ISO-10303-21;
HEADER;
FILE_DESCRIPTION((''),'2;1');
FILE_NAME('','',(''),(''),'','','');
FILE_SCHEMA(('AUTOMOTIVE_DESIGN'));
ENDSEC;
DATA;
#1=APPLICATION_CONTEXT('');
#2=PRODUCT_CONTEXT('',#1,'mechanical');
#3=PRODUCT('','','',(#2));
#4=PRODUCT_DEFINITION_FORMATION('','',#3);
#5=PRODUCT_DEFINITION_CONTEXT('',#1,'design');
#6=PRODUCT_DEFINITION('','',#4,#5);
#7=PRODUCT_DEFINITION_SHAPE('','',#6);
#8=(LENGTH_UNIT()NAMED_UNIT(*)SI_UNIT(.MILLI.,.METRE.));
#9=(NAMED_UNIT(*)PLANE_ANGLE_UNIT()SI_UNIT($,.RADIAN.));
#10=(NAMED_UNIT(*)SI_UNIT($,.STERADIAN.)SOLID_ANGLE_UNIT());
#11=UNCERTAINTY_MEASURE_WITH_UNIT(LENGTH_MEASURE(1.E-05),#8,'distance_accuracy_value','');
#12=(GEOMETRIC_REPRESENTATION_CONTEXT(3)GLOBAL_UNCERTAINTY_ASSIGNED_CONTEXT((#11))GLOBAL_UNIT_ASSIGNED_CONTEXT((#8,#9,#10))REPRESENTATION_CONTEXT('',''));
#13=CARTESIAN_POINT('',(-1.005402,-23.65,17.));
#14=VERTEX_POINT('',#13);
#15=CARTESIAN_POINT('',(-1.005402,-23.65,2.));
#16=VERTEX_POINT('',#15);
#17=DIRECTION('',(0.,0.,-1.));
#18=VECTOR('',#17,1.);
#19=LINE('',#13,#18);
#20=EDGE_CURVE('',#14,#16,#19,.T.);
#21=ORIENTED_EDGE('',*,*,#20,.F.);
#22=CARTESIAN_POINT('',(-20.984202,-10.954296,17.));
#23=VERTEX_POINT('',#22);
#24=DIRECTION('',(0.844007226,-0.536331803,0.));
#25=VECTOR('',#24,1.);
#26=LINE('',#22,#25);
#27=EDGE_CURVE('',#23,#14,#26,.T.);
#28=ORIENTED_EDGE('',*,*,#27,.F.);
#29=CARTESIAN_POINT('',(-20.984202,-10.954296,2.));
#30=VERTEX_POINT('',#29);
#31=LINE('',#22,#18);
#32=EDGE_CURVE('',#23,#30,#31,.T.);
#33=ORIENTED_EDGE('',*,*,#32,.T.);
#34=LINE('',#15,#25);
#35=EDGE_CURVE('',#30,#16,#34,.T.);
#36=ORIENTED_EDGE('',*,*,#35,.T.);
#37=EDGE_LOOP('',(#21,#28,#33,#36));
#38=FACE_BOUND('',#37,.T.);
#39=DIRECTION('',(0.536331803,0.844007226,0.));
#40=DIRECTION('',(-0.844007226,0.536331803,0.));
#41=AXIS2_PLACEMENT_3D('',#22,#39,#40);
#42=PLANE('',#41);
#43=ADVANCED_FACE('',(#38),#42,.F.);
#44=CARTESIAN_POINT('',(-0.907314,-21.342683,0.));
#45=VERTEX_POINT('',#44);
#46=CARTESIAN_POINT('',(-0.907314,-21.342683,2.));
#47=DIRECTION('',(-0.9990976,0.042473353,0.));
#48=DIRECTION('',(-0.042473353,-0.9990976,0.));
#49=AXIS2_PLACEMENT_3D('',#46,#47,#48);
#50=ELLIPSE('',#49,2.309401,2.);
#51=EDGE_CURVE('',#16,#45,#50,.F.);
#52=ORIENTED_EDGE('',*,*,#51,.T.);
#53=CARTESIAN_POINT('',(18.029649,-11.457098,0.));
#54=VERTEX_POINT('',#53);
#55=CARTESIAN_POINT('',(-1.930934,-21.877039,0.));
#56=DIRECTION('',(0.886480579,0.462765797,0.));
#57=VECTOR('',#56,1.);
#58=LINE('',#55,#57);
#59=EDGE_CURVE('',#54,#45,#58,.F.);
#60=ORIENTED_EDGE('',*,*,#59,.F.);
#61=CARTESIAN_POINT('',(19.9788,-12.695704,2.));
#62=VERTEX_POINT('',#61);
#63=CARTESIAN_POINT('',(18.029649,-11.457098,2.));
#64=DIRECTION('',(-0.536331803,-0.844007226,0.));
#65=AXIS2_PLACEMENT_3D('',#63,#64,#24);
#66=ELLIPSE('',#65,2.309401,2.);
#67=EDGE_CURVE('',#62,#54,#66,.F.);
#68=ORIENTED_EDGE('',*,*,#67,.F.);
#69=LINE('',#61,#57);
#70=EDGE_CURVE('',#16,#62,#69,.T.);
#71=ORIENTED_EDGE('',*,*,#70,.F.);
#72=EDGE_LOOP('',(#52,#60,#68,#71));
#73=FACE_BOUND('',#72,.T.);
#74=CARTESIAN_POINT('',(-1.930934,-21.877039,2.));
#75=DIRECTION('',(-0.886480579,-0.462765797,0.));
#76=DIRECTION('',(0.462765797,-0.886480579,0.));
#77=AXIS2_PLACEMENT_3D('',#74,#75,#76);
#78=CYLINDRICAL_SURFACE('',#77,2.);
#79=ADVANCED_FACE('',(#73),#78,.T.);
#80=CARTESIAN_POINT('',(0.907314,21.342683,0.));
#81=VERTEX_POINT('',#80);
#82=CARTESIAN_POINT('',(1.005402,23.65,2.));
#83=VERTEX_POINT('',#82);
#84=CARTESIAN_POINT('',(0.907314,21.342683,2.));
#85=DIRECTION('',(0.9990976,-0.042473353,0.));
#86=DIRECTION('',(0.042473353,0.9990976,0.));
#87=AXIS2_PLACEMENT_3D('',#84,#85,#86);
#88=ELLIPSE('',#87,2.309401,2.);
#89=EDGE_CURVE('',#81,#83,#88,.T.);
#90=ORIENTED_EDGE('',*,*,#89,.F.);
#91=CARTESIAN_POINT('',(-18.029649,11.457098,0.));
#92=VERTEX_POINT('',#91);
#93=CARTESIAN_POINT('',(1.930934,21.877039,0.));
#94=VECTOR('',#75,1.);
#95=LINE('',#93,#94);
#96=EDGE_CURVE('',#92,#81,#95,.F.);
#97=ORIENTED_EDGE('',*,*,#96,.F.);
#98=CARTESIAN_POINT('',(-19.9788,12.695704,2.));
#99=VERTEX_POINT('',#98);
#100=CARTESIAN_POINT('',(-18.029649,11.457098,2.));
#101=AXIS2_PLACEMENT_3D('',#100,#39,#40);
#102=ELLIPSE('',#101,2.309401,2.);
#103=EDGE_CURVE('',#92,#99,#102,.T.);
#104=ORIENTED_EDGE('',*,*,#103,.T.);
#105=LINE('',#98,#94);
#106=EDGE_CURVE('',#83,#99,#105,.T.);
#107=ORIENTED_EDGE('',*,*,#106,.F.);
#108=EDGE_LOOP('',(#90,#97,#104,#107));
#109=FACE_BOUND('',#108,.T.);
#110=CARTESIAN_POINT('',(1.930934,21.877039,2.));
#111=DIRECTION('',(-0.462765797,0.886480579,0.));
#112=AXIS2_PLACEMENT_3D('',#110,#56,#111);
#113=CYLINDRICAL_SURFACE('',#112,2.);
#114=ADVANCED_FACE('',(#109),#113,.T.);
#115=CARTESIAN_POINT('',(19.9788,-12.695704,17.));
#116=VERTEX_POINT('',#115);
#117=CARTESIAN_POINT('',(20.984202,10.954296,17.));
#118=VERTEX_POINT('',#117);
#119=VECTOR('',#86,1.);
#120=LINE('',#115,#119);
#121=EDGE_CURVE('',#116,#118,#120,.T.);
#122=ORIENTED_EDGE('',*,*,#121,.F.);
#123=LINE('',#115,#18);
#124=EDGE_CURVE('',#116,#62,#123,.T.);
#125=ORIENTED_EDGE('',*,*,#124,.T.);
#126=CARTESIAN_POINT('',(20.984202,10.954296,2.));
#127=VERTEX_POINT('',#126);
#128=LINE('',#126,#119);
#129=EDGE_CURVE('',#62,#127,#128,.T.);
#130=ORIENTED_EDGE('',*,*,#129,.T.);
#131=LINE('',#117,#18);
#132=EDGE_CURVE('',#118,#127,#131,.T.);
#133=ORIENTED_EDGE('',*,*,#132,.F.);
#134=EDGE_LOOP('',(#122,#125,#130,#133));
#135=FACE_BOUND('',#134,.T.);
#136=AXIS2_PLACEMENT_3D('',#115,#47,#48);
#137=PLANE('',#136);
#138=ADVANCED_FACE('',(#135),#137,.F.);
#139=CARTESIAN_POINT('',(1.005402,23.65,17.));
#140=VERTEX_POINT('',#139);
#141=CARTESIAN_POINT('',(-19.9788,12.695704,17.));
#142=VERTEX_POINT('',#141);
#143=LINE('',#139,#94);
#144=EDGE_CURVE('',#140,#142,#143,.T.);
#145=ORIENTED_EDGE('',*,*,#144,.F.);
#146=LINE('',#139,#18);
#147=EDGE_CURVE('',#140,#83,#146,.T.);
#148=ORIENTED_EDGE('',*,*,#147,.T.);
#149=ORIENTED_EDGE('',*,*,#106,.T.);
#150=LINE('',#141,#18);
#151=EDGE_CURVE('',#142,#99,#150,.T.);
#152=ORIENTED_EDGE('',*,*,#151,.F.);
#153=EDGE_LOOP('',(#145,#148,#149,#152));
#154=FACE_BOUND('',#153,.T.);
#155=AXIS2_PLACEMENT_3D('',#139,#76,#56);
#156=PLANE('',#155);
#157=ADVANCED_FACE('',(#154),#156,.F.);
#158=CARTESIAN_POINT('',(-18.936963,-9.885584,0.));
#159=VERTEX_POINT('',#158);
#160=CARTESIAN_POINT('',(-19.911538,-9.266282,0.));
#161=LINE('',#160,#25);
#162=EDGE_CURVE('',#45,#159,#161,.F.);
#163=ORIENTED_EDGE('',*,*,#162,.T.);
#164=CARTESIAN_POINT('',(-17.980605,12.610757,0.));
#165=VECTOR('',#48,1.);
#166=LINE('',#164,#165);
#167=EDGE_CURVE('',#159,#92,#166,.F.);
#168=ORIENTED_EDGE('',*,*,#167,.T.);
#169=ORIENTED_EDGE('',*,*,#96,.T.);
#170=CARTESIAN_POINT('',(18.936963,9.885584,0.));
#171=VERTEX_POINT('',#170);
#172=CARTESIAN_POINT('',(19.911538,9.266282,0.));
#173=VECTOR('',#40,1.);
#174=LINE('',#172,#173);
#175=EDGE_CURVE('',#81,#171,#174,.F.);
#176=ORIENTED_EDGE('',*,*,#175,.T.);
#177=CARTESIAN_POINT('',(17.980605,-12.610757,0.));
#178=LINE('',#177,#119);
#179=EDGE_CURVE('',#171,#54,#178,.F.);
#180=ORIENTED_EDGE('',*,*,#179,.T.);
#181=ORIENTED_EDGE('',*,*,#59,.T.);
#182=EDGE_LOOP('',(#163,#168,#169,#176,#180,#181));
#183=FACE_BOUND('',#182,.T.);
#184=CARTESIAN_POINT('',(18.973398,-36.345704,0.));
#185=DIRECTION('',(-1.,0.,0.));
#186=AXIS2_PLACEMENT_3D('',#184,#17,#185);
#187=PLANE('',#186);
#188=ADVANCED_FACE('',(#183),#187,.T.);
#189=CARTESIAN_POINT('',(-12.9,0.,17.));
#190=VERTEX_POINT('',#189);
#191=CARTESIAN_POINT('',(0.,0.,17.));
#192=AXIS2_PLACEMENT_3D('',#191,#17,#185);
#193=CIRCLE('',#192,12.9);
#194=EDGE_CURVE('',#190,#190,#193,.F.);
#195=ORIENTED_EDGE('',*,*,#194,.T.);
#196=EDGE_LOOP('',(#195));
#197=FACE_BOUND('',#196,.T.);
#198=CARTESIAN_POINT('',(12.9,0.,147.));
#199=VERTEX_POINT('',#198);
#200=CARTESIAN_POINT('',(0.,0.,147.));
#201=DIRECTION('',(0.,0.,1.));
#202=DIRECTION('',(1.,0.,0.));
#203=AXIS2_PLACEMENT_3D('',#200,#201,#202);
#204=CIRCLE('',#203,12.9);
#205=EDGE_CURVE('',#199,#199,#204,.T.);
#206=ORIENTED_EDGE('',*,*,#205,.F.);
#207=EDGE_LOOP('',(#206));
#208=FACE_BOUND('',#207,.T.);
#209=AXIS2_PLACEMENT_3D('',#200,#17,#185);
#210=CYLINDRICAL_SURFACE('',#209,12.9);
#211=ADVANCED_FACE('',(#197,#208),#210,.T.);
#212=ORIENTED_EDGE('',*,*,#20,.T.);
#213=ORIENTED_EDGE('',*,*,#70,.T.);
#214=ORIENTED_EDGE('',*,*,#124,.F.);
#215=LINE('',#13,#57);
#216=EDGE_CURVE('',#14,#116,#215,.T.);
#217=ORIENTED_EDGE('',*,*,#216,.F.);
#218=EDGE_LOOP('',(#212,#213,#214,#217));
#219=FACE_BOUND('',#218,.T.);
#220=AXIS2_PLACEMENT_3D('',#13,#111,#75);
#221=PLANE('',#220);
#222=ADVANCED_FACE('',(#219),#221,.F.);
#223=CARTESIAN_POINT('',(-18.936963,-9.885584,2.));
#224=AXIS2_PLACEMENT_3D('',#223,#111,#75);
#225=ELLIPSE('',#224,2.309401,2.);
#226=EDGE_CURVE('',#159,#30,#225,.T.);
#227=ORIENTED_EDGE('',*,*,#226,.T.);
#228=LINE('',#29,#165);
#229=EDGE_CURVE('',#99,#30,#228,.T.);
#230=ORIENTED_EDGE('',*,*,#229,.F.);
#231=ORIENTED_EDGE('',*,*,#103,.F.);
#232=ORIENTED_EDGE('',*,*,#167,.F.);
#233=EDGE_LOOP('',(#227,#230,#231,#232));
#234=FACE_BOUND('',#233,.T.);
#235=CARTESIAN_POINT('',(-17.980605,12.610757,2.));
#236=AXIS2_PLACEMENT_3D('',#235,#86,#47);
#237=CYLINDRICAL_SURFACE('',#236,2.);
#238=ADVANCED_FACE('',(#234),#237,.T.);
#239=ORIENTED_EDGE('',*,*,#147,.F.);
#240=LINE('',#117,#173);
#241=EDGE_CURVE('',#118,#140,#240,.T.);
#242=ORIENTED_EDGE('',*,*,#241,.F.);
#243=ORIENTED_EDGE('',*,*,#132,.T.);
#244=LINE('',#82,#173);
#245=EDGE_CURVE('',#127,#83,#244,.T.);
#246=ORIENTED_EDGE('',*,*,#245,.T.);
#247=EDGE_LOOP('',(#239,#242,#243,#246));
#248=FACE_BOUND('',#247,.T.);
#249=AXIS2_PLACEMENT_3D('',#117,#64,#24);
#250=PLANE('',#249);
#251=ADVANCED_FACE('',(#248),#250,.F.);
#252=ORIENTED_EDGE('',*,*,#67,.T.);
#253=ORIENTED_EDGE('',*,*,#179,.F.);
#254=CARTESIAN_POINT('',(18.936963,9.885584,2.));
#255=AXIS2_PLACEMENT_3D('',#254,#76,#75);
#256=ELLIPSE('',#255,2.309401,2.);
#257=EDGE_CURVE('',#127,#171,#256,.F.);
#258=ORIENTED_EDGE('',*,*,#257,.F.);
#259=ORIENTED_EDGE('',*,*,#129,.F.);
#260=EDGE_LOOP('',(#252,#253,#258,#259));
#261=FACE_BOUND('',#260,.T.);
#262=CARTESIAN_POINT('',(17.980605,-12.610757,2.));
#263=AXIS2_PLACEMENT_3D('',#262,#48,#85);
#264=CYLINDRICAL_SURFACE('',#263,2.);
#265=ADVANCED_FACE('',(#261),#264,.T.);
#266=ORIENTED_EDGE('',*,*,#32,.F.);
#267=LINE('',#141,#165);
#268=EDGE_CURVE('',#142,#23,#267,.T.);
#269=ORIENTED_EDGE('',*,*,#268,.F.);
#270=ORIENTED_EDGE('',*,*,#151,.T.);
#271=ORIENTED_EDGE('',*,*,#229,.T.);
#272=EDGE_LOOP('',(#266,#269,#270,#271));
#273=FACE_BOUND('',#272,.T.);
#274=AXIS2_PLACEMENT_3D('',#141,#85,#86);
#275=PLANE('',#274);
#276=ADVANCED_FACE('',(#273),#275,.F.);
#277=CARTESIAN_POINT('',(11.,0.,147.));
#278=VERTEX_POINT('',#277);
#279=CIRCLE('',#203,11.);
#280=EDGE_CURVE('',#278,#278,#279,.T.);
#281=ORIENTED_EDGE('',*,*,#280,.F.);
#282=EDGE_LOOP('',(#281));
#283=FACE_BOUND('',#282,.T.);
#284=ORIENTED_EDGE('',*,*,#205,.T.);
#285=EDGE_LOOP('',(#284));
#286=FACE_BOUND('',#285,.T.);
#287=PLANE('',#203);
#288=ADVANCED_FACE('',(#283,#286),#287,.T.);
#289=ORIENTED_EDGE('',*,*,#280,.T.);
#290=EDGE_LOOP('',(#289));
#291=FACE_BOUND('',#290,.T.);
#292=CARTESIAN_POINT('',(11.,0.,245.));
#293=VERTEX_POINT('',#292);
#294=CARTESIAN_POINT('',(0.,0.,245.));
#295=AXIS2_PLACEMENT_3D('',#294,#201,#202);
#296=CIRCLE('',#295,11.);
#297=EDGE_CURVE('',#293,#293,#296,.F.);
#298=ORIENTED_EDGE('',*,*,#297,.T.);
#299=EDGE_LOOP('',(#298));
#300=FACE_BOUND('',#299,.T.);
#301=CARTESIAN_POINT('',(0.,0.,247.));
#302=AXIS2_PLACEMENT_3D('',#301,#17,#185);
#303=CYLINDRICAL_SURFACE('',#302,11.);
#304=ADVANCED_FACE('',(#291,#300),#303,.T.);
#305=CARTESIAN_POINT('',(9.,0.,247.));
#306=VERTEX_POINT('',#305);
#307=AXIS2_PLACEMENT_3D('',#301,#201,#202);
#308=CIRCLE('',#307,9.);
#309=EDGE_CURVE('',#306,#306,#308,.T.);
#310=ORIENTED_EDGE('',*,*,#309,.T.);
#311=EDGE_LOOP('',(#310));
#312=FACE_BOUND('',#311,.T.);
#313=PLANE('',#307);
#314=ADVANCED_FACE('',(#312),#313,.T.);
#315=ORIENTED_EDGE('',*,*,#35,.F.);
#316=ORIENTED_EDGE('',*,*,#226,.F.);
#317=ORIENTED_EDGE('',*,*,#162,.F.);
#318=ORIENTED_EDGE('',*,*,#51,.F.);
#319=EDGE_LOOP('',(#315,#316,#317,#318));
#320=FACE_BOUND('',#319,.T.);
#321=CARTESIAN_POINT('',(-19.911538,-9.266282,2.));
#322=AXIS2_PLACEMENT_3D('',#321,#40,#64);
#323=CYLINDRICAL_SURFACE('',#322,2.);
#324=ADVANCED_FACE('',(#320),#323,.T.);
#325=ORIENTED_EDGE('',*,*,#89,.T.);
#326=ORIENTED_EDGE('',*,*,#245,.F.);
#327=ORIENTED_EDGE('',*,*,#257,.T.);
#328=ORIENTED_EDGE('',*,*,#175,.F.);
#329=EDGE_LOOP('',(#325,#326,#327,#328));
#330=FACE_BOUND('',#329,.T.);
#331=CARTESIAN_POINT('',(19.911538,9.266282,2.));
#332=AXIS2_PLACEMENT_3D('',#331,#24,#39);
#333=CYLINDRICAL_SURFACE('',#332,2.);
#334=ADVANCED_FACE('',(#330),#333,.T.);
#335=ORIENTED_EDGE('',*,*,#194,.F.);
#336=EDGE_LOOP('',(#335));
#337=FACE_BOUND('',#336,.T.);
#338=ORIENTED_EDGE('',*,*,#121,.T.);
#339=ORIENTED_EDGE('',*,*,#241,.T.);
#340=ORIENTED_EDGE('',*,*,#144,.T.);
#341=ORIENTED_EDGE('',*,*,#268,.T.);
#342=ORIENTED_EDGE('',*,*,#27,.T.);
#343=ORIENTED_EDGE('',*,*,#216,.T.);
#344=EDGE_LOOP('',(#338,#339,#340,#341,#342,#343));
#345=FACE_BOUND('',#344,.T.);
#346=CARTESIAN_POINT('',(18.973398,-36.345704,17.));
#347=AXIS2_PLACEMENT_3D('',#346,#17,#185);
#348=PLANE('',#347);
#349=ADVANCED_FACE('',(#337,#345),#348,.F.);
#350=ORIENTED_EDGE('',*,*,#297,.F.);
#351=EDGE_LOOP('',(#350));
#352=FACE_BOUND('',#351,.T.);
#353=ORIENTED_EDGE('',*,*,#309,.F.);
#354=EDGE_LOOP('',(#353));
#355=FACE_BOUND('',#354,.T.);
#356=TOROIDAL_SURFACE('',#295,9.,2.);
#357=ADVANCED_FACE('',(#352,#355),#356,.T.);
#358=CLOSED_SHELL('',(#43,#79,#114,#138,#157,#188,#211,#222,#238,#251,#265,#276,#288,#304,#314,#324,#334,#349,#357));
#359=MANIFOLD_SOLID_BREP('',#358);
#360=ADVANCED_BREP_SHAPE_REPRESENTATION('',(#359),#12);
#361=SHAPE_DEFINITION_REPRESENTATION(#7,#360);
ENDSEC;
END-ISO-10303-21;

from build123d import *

# Parameters (mm, degrees)
EXTRUDE_372_DEPTH = 17
SKETCH_2_R        = 12.9
EXTRUDE_1_DEPTH   = 130
FILLET_3_R        = 2
SKETCH_3_R        = 11
EXTRUDE_2_DEPTH   = 100
FILLET_4_R        = 2


with BuildPart() as part:
    # 草图1 → Extrude 372 (new body)
    with BuildSketch(Plane.XY):
        Polygon((20.984201837, 10.954296262), (1.005402075, 23.65), (-19.978799762, 12.695703738), (-20.984201837, -10.954296262), (-1.005402075, -23.65), (19.978799762, -12.695703738), align=None)
    extrude(amount=EXTRUDE_372_DEPTH)

    # 草图2 → 凸台-拉伸1 (add)
    with BuildSketch(Plane.XY.offset(17)):
        with Locations(Location((0, 0, 0), (0, 0, 180))):
            Circle(SKETCH_2_R)
    extrude(amount=EXTRUDE_1_DEPTH)

    # 圆角3
    fillet_3_edges = [part.edges().sort_by_distance(p)[0] for p in [
        (9.486698843, -18.172851869, 0),
        (-10.994801956, -17.302148131, 0),
        (-20.4815008, 0.870703738, 0),
        (-9.486698843, 18.172851869, 0),
        (10.994801956, 17.302148131, 0),
        (20.4815008, -0.870703738, 0),
    ]]
    fillet(fillet_3_edges, radius=FILLET_3_R)

    # 草图3 → 凸台-拉伸2 (add)
    with BuildSketch(Plane.XY.offset(147)):
        Circle(SKETCH_3_R)
    extrude(amount=EXTRUDE_2_DEPTH)

    # 圆角4
    fillet_4_edges = [part.edges().sort_by_distance(p)[0] for p in [
        (-11, 0, 247),
    ]]
    fillet(fillet_4_edges, radius=FILLET_4_R)


solid = part.part
